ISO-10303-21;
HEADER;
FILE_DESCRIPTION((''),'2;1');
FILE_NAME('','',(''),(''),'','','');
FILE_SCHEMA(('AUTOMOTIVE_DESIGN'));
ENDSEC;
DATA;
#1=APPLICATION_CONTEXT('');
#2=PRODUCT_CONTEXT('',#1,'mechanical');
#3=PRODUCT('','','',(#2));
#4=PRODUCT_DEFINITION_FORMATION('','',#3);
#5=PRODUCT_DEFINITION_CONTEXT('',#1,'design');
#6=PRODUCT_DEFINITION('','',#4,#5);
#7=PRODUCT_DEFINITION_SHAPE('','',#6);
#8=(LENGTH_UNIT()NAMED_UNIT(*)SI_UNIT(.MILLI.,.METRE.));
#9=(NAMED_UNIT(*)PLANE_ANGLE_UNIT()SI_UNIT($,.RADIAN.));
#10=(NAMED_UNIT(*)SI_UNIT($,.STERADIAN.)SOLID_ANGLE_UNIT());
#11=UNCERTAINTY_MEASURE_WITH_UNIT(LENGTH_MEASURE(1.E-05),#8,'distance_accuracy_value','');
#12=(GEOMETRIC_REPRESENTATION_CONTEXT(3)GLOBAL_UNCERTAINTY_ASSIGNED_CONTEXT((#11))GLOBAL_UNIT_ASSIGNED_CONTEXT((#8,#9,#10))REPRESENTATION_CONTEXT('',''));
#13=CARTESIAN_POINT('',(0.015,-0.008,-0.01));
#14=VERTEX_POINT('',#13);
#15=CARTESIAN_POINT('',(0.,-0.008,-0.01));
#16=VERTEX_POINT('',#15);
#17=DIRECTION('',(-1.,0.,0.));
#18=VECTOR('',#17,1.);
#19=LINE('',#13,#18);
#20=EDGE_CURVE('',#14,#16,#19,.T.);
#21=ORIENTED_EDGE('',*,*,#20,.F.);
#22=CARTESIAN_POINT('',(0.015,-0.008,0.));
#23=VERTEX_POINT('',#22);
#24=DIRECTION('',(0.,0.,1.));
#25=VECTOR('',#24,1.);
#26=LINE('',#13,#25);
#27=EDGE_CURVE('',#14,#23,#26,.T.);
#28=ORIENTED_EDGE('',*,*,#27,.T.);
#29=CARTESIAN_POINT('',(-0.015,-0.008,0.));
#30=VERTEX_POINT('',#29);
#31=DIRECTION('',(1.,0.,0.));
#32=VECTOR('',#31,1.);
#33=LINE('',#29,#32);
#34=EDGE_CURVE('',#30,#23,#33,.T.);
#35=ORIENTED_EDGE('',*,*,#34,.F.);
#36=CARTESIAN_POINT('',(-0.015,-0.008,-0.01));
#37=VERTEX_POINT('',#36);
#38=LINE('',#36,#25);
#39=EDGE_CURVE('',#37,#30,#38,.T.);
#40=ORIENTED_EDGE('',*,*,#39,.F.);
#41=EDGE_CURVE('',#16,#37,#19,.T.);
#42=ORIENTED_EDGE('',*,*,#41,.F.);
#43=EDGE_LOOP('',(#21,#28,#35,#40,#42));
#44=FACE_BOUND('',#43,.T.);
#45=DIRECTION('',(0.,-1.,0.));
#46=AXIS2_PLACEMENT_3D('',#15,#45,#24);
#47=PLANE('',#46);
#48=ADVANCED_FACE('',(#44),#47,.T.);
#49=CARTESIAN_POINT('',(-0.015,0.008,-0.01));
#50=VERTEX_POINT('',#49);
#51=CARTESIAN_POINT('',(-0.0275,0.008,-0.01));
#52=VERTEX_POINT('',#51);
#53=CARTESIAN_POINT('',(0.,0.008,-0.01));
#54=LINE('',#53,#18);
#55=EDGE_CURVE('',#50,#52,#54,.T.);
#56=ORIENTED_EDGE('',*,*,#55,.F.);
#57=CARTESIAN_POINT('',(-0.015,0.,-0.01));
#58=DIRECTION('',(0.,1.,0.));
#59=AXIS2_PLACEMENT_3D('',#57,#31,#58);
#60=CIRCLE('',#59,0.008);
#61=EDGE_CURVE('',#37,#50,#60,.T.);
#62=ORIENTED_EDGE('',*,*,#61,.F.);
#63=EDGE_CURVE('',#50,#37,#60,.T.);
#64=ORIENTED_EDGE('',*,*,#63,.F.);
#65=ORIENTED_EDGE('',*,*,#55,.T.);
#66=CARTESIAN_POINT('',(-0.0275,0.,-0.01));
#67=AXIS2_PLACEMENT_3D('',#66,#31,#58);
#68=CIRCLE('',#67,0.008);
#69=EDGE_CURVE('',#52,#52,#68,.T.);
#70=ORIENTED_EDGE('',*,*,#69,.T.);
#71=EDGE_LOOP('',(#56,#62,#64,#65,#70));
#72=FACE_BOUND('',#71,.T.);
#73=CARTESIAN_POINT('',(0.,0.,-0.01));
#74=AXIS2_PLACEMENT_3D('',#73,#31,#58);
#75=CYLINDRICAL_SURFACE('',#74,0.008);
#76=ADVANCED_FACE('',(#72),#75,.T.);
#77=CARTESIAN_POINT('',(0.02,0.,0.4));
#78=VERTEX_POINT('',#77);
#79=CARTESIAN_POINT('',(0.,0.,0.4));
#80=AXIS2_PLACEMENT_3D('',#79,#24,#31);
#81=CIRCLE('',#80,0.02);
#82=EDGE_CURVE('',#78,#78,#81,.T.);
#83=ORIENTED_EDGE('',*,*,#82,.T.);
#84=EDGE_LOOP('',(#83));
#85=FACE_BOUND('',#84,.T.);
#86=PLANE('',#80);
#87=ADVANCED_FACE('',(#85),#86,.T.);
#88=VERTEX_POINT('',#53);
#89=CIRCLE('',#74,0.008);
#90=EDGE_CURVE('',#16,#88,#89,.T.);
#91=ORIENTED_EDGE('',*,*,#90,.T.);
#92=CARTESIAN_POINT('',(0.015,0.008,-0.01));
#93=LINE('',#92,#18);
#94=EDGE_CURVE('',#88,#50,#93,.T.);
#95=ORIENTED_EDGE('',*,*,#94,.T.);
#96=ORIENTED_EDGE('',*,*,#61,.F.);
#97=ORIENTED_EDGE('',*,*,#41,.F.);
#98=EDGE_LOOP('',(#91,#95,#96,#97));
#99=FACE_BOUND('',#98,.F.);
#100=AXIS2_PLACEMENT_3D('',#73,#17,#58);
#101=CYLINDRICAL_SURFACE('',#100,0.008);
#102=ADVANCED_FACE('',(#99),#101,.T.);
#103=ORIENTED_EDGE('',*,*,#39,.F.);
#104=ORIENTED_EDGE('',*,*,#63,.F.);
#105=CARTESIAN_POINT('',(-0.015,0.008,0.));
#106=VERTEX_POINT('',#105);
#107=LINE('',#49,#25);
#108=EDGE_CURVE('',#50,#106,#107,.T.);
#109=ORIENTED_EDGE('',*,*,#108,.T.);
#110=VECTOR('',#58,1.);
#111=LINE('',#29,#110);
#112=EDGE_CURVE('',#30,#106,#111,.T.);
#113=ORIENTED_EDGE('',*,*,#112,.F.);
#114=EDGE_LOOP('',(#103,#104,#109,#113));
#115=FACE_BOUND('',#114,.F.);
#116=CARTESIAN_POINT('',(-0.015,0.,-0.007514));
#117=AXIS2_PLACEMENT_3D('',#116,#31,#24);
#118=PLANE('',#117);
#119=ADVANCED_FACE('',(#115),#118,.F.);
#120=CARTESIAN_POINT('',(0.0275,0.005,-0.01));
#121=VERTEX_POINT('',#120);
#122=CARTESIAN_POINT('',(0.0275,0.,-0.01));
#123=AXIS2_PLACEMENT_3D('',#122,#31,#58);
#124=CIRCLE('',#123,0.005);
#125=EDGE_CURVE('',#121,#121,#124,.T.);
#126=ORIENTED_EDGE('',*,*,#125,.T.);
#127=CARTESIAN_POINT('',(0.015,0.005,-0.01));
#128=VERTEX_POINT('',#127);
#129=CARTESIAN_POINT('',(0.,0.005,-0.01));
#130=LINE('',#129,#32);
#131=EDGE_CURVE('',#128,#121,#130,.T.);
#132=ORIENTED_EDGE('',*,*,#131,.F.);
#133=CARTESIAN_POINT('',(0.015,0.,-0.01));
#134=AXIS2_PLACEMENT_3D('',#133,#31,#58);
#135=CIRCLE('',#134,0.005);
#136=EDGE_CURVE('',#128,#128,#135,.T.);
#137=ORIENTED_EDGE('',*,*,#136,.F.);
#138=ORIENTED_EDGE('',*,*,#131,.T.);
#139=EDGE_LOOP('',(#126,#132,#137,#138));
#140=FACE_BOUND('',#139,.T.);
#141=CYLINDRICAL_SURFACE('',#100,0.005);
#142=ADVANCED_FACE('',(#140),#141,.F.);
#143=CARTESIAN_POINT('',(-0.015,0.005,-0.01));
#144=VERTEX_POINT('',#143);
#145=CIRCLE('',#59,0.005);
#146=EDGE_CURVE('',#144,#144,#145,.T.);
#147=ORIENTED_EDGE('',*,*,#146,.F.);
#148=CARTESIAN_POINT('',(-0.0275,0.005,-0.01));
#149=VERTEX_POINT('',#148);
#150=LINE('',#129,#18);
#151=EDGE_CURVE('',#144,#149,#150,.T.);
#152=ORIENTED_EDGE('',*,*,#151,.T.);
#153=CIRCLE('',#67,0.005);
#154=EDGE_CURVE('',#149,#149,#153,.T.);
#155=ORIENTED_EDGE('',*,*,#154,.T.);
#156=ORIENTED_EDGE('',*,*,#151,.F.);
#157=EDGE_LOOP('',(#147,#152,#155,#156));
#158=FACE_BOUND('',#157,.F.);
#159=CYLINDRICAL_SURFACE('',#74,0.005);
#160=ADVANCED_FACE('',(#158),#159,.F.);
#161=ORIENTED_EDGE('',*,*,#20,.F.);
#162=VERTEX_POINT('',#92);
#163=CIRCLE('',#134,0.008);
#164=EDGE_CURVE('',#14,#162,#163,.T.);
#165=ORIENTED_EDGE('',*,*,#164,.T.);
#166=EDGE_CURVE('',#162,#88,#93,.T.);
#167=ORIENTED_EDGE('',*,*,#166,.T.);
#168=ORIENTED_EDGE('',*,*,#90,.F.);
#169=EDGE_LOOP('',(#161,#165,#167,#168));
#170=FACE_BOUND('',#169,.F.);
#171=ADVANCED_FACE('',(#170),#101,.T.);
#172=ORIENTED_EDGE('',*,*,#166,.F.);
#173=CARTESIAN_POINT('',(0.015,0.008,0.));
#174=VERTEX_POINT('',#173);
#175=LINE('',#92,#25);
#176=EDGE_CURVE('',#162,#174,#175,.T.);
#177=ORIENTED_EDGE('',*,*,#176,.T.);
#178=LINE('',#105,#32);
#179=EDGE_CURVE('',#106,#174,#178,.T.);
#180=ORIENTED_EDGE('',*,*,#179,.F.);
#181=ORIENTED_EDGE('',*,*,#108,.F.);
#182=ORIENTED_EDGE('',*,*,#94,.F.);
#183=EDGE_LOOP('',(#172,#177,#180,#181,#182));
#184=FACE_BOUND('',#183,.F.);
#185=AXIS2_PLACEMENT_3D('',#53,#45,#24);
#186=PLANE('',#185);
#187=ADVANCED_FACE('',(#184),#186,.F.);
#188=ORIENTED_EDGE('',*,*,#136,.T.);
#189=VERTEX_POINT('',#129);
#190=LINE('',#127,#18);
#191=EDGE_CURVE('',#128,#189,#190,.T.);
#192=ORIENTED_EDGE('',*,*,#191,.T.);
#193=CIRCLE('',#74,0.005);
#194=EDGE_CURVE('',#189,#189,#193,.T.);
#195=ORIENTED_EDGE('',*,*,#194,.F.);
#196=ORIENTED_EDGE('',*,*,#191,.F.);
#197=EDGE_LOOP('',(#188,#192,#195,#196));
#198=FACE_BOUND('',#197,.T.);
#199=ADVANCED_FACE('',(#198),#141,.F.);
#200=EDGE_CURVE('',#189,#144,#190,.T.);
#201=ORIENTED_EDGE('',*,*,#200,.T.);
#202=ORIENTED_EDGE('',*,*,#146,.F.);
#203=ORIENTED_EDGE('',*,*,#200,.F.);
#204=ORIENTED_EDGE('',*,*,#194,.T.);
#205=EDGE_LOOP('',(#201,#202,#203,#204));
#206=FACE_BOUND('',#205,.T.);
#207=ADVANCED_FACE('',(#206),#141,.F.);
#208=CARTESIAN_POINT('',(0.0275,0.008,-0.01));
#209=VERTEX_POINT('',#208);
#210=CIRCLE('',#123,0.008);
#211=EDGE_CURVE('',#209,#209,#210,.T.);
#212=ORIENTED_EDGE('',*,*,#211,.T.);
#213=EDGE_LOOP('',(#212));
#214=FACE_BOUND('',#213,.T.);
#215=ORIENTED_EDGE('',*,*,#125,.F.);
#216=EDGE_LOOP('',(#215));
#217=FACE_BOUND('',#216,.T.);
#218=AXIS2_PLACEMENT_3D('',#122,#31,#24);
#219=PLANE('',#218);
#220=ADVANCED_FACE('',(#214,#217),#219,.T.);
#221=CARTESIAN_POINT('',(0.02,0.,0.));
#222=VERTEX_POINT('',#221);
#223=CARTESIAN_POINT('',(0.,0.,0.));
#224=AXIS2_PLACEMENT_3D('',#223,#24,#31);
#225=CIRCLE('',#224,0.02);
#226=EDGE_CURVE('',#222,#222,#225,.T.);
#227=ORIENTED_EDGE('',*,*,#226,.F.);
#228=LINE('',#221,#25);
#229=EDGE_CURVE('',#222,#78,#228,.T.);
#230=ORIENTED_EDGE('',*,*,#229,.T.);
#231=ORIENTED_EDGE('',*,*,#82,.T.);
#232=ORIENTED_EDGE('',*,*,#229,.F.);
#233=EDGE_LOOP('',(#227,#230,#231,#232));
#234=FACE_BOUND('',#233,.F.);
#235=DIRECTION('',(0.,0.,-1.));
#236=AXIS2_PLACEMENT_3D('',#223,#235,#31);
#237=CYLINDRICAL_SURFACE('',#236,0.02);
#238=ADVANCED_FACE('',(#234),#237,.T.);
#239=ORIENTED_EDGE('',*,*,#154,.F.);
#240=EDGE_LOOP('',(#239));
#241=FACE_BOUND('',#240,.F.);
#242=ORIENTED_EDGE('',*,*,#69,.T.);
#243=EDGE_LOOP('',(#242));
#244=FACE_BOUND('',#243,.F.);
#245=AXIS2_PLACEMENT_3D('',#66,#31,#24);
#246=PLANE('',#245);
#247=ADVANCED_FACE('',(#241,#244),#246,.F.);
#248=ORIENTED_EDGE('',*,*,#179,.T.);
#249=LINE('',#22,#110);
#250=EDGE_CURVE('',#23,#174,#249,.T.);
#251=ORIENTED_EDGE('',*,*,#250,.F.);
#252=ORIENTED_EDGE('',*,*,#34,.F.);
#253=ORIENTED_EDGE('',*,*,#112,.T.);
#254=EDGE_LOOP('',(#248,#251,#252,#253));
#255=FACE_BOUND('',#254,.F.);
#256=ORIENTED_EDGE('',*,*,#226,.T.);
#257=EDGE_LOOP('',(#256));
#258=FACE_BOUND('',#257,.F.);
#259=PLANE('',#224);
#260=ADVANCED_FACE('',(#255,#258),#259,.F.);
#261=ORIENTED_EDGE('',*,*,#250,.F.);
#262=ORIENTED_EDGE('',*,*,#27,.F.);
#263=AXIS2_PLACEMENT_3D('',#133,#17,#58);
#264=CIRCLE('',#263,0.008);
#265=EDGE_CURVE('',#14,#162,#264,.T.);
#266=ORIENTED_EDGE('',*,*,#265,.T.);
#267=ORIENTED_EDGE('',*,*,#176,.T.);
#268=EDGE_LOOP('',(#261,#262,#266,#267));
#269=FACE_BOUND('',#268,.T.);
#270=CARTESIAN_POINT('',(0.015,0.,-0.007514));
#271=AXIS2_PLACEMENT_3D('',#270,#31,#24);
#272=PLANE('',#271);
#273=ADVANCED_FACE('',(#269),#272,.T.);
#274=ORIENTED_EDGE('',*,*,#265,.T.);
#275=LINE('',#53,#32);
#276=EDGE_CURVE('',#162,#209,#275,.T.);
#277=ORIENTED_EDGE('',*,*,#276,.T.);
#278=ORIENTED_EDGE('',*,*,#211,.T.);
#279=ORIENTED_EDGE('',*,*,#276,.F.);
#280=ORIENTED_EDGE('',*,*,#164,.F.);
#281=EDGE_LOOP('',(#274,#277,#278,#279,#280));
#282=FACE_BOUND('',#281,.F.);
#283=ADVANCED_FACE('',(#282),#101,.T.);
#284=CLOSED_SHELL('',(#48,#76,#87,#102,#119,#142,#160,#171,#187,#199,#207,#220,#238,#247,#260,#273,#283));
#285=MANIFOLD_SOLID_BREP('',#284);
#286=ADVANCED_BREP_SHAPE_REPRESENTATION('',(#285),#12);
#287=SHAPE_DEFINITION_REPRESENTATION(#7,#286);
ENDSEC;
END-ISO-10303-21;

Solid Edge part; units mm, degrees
sketch "Sketch1" plane through (0, 0, 0) normal (0, 0, 1) x (1, 0, 0)
  circle A0 centre (0, 0) radius 0.02
  dimension "D1" = 0.04
extrude "Protrusion1" add sketch "Sketch1" along normal blind 0.4
sketch "Sketch2" plane through (0, 0, 0) normal (1, 0, 0) x (0, 1, 0)
  line L0 (0.008, -0.01) -> (0.008, 0)
  line L1 (-0.008, 0) -> (0.008, 0)
  line L2 (-0.008, -0.01) -> (-0.008, 0)
  arc A0 (-0.008, -0.01) -> (0.008, -0.01) centre (0, -0.01) ccw
  circle A1 centre (0, -0.01) radius 0.005
  dimension "D1" = 0.016
  dimension "D2" = 0.01
  dimension "D3" = 0.01
extrude "Ausprägung_2" add sketch "Sketch2" along normal mid plane 0.03
sketch "Sketch3" plane through (0, 0, 0) normal (1, 0, 0) x (0, 1, 0)
  circle A0 centre (0, -0.01) radius 0.005
  circle A1 centre (0, -0.01) radius 0.008
extrude "Ausprägung_3" add sketch "Sketch3" along normal mid plane 0.055
